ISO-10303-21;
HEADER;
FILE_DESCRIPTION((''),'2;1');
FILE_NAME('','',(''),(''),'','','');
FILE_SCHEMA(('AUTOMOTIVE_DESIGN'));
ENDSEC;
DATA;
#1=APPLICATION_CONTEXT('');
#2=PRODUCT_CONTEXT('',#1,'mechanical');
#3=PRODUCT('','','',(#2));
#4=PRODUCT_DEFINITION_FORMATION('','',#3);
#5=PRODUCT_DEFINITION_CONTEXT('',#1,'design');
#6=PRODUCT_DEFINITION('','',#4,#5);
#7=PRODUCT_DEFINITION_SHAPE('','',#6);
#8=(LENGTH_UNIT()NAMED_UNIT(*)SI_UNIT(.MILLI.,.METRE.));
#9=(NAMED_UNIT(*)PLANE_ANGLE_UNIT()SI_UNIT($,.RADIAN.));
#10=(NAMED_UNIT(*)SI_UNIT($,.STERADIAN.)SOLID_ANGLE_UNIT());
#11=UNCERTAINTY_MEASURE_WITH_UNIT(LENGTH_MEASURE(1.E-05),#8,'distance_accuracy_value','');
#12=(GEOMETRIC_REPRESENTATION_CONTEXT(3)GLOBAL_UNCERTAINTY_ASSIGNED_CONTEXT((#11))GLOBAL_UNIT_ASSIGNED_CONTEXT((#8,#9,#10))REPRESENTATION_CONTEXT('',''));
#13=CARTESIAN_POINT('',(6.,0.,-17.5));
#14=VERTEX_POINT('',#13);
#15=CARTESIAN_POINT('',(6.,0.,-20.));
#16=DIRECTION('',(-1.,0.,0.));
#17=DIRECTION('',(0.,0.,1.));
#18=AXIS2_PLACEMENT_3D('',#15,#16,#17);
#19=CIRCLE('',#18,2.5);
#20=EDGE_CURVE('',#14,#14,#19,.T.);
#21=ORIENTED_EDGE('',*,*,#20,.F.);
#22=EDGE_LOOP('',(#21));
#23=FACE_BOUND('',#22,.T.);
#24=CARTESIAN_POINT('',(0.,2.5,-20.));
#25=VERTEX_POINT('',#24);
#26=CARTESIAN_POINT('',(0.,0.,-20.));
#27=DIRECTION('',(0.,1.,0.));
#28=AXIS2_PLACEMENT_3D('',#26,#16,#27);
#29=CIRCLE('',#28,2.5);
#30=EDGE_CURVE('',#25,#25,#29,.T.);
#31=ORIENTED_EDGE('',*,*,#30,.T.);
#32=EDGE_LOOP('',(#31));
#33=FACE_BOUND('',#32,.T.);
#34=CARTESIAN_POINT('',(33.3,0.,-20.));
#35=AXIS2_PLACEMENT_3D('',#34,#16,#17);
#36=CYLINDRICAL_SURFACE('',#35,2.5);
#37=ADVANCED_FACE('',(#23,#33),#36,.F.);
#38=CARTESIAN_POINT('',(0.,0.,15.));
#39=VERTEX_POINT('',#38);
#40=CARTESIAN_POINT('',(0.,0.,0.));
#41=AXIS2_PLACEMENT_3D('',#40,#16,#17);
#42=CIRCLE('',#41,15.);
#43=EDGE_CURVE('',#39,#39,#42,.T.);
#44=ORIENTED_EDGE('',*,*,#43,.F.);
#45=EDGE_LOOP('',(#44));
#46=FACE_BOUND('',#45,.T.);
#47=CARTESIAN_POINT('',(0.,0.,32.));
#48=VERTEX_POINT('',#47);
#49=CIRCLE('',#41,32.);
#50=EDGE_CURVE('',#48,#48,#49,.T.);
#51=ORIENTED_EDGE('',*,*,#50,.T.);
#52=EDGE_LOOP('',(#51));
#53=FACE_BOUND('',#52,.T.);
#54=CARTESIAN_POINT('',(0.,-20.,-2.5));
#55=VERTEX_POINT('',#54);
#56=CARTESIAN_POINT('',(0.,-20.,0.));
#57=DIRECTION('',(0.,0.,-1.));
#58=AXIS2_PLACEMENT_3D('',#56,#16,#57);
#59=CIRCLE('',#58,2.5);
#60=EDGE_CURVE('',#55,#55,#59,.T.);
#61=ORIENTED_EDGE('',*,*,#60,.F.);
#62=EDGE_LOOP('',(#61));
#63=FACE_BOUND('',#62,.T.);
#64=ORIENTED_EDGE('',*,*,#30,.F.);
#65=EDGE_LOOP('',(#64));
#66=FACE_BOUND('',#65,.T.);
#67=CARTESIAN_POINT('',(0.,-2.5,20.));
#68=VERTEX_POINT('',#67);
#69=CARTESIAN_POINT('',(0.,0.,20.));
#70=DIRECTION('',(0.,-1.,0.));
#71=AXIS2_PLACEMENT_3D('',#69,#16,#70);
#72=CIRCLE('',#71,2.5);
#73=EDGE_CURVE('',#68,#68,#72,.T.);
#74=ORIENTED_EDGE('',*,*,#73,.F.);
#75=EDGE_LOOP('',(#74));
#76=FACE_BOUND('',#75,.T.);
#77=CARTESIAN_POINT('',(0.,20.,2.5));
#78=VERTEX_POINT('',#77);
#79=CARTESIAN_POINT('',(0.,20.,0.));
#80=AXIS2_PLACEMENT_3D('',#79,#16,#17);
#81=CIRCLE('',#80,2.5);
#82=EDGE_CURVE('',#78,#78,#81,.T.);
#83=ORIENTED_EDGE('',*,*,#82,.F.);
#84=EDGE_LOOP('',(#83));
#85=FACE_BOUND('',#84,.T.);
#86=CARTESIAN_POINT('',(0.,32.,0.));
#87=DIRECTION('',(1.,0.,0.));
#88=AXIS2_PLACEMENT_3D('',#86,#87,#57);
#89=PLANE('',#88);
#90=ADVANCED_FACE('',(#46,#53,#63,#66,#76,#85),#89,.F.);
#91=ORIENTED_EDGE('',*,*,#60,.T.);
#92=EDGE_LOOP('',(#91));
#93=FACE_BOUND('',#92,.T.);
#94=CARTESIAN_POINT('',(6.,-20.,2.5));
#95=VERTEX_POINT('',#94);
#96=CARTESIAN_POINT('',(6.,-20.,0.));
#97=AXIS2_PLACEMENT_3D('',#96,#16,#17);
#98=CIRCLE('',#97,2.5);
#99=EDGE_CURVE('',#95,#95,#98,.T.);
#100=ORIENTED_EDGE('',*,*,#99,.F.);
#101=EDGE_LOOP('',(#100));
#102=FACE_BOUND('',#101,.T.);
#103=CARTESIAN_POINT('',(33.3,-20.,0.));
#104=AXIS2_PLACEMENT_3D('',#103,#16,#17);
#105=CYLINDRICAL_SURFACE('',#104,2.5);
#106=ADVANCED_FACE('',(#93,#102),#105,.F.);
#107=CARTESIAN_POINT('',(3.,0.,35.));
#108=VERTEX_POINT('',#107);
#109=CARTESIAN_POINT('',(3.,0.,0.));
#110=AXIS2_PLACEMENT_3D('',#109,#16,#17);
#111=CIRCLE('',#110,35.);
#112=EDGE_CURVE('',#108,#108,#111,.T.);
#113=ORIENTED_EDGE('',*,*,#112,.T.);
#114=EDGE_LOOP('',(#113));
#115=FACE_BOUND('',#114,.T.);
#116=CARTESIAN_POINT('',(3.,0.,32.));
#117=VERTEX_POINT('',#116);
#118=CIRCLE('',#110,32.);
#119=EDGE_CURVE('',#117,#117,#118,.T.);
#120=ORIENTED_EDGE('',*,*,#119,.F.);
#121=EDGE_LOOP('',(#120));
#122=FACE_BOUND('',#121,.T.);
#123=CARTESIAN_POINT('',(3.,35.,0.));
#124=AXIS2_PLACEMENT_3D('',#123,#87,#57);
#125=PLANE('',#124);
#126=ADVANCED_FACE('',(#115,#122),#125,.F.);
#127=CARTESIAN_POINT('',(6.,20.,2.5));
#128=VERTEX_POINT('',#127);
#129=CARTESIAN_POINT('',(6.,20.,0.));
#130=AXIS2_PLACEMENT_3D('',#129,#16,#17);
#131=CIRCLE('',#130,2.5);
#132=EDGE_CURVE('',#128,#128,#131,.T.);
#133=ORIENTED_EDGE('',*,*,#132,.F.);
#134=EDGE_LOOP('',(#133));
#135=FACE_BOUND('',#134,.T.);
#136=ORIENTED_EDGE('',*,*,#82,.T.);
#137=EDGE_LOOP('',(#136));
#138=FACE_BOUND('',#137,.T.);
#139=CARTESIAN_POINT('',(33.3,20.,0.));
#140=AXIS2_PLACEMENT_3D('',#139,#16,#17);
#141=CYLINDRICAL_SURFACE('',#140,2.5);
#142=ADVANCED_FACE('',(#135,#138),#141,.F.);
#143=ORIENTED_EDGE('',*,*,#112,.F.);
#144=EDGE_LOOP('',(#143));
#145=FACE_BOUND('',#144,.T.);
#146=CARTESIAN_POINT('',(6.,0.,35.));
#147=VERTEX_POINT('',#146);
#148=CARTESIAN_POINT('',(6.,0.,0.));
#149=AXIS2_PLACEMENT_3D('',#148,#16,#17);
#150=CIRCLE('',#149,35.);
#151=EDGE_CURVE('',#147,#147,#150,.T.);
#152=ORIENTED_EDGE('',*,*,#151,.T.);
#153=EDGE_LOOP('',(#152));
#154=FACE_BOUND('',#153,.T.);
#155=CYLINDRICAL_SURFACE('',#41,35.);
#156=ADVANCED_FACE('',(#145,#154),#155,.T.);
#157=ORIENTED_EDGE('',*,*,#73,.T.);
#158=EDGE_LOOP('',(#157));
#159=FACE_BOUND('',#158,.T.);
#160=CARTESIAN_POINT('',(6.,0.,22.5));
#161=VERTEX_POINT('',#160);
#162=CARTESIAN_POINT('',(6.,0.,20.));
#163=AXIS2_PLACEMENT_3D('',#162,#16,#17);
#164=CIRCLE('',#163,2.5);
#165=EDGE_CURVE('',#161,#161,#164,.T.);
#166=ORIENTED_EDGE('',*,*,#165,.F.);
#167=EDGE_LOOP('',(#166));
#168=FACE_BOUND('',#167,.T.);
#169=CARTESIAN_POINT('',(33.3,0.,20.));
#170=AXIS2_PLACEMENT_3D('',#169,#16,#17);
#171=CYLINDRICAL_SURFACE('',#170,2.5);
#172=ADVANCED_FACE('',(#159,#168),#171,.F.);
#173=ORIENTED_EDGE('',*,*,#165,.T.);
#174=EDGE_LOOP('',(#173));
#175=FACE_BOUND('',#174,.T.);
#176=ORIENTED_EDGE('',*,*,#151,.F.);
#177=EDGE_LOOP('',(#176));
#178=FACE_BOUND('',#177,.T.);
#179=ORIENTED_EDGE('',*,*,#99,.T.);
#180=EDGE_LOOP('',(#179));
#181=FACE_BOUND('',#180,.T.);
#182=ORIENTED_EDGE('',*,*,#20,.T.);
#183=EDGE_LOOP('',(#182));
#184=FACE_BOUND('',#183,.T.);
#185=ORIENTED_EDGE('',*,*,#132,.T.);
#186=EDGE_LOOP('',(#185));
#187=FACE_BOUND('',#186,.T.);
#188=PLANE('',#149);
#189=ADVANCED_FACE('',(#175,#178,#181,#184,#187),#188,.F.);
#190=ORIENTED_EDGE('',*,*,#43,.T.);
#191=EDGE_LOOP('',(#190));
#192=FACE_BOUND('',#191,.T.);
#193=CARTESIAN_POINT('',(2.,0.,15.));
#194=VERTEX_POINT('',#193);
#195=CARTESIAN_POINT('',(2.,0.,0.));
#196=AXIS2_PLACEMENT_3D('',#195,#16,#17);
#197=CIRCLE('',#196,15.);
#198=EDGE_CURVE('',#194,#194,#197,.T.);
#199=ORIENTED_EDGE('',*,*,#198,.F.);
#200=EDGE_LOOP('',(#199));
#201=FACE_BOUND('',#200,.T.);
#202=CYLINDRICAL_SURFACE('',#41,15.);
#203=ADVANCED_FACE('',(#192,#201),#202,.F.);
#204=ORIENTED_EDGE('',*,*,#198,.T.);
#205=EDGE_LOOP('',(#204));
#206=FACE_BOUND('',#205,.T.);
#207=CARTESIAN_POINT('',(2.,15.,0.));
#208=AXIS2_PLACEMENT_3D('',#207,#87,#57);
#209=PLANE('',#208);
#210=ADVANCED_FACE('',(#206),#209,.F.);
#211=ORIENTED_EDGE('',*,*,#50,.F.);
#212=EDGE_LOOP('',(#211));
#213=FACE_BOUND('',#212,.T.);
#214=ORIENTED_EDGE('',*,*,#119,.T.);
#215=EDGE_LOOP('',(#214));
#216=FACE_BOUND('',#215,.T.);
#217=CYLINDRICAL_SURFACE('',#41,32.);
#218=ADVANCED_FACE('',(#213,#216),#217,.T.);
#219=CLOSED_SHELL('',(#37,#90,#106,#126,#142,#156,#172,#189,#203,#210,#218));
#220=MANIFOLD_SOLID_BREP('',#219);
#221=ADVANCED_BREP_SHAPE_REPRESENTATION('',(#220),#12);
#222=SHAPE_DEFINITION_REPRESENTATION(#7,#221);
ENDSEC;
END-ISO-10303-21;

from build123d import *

# Parameters (mm, degrees)
SKETCH_2_R               = 2.5
CUT_EXTRUDE_1_DEPTH      = 33.3
PATTERN_CIRCULAR_1_COUNT = 4


with BuildPart() as part:
    # Эскиз1 → Повернуть1 (revolve)
    with BuildSketch(Plane.XY, mode=Mode.PRIVATE) as revolve_1_sk:
        Polygon((6, 0), (6, 35), (3, 35), (3, 32), (0, 32), (0, 15), (2, 15), (2, 0), align=None)
    revolve(revolve_1_sk.sketch.rotate(Axis((0, 0, 0), (1, 0, 0)), 90), axis=Axis((0, 0, 0), (1, 0, 0)))

    # Эскиз2 → Вырез-Вытянуть1 (cut)
    with BuildSketch(Plane.ZY):
        with Locations((0, 20)):
            Circle(SKETCH_2_R)
    cut_extrude_1 = extrude(amount=-CUT_EXTRUDE_1_DEPTH, mode=Mode.SUBTRACT)

    # Круговой массив1: Вырез-Вытянуть1 ×4 about axis
    pattern_circular_1_axis = Axis((0, 0, 0), (1, 0, 0))
    for i in range(1, PATTERN_CIRCULAR_1_COUNT):
        add(cut_extrude_1.rotate(pattern_circular_1_axis, i * 360 / PATTERN_CIRCULAR_1_COUNT), mode=Mode.SUBTRACT)


solid = part.part
